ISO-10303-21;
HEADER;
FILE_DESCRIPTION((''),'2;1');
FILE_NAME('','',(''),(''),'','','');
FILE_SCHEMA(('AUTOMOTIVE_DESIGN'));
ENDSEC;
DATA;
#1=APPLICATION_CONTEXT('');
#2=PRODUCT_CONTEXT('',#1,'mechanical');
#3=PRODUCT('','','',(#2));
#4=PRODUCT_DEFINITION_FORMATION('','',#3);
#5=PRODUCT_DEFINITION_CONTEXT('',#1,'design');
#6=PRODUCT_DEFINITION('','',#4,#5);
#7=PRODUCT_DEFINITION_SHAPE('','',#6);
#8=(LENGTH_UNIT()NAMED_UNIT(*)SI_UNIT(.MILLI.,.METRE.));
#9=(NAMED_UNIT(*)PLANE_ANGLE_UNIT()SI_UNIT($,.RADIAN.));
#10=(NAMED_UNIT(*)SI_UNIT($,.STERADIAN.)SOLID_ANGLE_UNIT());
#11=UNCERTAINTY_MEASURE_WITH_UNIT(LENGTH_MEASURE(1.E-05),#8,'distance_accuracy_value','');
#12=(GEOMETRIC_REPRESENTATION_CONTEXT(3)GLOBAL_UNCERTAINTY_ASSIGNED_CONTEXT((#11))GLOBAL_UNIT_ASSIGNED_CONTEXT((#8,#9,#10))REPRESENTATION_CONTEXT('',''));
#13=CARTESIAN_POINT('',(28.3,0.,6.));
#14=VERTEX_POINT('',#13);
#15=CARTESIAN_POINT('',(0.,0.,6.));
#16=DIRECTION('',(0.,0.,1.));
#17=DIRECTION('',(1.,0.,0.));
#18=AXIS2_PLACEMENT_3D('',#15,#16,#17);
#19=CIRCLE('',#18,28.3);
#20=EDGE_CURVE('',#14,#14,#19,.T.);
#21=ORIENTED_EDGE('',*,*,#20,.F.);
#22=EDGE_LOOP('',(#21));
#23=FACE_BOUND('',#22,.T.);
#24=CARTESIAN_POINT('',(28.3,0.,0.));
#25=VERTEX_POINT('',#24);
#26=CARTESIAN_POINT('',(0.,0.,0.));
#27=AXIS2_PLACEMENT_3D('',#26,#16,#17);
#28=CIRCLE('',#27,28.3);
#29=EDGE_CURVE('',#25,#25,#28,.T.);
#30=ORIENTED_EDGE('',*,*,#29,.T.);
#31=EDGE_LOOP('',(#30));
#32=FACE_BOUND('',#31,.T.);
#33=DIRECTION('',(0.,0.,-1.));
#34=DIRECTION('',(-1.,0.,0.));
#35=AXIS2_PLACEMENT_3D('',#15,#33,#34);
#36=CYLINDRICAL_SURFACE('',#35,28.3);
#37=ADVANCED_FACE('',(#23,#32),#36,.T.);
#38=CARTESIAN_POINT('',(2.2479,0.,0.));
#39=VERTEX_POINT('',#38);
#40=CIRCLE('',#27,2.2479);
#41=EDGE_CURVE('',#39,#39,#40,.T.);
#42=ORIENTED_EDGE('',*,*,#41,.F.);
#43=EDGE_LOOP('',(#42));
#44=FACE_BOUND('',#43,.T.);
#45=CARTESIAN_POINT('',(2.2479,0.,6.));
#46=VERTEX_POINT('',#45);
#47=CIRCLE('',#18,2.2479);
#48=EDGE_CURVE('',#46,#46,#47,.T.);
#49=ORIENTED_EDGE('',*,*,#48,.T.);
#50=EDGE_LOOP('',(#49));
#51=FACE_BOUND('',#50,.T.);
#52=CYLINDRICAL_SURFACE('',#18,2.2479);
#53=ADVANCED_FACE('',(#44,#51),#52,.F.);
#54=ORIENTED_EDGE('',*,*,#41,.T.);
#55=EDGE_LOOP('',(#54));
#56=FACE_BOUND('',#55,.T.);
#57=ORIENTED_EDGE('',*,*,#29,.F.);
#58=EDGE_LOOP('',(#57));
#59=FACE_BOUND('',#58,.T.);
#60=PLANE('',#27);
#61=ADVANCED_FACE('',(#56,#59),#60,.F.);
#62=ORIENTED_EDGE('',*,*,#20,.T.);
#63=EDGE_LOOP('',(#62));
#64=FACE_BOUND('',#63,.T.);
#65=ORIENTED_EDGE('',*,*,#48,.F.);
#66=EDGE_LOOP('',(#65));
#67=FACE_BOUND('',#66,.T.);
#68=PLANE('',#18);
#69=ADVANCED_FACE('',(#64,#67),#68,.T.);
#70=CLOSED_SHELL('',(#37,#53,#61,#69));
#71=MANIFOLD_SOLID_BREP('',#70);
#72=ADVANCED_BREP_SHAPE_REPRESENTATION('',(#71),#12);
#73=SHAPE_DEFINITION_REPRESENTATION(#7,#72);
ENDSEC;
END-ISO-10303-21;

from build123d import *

# Parameters (mm, degrees)
SKETCH1_R                   = 28.3
BOSS_EXTRUDE1_DEPTH         = 6
F_16_0_177_DIAMETER_HOLE1_D = 4.4958


with BuildPart() as part:
    # Sketch1 → Boss-Extrude1 (new body)
    with BuildSketch(Plane.XY):
        Circle(SKETCH1_R)
    extrude(amount=BOSS_EXTRUDE1_DEPTH)

    # #16 (0.177) Diameter Hole1 (through all)
    with Locations(Plane.XY.offset(6)):
        with Locations((0, 0)):
            Hole(F_16_0_177_DIAMETER_HOLE1_D / 2)


solid = part.part
